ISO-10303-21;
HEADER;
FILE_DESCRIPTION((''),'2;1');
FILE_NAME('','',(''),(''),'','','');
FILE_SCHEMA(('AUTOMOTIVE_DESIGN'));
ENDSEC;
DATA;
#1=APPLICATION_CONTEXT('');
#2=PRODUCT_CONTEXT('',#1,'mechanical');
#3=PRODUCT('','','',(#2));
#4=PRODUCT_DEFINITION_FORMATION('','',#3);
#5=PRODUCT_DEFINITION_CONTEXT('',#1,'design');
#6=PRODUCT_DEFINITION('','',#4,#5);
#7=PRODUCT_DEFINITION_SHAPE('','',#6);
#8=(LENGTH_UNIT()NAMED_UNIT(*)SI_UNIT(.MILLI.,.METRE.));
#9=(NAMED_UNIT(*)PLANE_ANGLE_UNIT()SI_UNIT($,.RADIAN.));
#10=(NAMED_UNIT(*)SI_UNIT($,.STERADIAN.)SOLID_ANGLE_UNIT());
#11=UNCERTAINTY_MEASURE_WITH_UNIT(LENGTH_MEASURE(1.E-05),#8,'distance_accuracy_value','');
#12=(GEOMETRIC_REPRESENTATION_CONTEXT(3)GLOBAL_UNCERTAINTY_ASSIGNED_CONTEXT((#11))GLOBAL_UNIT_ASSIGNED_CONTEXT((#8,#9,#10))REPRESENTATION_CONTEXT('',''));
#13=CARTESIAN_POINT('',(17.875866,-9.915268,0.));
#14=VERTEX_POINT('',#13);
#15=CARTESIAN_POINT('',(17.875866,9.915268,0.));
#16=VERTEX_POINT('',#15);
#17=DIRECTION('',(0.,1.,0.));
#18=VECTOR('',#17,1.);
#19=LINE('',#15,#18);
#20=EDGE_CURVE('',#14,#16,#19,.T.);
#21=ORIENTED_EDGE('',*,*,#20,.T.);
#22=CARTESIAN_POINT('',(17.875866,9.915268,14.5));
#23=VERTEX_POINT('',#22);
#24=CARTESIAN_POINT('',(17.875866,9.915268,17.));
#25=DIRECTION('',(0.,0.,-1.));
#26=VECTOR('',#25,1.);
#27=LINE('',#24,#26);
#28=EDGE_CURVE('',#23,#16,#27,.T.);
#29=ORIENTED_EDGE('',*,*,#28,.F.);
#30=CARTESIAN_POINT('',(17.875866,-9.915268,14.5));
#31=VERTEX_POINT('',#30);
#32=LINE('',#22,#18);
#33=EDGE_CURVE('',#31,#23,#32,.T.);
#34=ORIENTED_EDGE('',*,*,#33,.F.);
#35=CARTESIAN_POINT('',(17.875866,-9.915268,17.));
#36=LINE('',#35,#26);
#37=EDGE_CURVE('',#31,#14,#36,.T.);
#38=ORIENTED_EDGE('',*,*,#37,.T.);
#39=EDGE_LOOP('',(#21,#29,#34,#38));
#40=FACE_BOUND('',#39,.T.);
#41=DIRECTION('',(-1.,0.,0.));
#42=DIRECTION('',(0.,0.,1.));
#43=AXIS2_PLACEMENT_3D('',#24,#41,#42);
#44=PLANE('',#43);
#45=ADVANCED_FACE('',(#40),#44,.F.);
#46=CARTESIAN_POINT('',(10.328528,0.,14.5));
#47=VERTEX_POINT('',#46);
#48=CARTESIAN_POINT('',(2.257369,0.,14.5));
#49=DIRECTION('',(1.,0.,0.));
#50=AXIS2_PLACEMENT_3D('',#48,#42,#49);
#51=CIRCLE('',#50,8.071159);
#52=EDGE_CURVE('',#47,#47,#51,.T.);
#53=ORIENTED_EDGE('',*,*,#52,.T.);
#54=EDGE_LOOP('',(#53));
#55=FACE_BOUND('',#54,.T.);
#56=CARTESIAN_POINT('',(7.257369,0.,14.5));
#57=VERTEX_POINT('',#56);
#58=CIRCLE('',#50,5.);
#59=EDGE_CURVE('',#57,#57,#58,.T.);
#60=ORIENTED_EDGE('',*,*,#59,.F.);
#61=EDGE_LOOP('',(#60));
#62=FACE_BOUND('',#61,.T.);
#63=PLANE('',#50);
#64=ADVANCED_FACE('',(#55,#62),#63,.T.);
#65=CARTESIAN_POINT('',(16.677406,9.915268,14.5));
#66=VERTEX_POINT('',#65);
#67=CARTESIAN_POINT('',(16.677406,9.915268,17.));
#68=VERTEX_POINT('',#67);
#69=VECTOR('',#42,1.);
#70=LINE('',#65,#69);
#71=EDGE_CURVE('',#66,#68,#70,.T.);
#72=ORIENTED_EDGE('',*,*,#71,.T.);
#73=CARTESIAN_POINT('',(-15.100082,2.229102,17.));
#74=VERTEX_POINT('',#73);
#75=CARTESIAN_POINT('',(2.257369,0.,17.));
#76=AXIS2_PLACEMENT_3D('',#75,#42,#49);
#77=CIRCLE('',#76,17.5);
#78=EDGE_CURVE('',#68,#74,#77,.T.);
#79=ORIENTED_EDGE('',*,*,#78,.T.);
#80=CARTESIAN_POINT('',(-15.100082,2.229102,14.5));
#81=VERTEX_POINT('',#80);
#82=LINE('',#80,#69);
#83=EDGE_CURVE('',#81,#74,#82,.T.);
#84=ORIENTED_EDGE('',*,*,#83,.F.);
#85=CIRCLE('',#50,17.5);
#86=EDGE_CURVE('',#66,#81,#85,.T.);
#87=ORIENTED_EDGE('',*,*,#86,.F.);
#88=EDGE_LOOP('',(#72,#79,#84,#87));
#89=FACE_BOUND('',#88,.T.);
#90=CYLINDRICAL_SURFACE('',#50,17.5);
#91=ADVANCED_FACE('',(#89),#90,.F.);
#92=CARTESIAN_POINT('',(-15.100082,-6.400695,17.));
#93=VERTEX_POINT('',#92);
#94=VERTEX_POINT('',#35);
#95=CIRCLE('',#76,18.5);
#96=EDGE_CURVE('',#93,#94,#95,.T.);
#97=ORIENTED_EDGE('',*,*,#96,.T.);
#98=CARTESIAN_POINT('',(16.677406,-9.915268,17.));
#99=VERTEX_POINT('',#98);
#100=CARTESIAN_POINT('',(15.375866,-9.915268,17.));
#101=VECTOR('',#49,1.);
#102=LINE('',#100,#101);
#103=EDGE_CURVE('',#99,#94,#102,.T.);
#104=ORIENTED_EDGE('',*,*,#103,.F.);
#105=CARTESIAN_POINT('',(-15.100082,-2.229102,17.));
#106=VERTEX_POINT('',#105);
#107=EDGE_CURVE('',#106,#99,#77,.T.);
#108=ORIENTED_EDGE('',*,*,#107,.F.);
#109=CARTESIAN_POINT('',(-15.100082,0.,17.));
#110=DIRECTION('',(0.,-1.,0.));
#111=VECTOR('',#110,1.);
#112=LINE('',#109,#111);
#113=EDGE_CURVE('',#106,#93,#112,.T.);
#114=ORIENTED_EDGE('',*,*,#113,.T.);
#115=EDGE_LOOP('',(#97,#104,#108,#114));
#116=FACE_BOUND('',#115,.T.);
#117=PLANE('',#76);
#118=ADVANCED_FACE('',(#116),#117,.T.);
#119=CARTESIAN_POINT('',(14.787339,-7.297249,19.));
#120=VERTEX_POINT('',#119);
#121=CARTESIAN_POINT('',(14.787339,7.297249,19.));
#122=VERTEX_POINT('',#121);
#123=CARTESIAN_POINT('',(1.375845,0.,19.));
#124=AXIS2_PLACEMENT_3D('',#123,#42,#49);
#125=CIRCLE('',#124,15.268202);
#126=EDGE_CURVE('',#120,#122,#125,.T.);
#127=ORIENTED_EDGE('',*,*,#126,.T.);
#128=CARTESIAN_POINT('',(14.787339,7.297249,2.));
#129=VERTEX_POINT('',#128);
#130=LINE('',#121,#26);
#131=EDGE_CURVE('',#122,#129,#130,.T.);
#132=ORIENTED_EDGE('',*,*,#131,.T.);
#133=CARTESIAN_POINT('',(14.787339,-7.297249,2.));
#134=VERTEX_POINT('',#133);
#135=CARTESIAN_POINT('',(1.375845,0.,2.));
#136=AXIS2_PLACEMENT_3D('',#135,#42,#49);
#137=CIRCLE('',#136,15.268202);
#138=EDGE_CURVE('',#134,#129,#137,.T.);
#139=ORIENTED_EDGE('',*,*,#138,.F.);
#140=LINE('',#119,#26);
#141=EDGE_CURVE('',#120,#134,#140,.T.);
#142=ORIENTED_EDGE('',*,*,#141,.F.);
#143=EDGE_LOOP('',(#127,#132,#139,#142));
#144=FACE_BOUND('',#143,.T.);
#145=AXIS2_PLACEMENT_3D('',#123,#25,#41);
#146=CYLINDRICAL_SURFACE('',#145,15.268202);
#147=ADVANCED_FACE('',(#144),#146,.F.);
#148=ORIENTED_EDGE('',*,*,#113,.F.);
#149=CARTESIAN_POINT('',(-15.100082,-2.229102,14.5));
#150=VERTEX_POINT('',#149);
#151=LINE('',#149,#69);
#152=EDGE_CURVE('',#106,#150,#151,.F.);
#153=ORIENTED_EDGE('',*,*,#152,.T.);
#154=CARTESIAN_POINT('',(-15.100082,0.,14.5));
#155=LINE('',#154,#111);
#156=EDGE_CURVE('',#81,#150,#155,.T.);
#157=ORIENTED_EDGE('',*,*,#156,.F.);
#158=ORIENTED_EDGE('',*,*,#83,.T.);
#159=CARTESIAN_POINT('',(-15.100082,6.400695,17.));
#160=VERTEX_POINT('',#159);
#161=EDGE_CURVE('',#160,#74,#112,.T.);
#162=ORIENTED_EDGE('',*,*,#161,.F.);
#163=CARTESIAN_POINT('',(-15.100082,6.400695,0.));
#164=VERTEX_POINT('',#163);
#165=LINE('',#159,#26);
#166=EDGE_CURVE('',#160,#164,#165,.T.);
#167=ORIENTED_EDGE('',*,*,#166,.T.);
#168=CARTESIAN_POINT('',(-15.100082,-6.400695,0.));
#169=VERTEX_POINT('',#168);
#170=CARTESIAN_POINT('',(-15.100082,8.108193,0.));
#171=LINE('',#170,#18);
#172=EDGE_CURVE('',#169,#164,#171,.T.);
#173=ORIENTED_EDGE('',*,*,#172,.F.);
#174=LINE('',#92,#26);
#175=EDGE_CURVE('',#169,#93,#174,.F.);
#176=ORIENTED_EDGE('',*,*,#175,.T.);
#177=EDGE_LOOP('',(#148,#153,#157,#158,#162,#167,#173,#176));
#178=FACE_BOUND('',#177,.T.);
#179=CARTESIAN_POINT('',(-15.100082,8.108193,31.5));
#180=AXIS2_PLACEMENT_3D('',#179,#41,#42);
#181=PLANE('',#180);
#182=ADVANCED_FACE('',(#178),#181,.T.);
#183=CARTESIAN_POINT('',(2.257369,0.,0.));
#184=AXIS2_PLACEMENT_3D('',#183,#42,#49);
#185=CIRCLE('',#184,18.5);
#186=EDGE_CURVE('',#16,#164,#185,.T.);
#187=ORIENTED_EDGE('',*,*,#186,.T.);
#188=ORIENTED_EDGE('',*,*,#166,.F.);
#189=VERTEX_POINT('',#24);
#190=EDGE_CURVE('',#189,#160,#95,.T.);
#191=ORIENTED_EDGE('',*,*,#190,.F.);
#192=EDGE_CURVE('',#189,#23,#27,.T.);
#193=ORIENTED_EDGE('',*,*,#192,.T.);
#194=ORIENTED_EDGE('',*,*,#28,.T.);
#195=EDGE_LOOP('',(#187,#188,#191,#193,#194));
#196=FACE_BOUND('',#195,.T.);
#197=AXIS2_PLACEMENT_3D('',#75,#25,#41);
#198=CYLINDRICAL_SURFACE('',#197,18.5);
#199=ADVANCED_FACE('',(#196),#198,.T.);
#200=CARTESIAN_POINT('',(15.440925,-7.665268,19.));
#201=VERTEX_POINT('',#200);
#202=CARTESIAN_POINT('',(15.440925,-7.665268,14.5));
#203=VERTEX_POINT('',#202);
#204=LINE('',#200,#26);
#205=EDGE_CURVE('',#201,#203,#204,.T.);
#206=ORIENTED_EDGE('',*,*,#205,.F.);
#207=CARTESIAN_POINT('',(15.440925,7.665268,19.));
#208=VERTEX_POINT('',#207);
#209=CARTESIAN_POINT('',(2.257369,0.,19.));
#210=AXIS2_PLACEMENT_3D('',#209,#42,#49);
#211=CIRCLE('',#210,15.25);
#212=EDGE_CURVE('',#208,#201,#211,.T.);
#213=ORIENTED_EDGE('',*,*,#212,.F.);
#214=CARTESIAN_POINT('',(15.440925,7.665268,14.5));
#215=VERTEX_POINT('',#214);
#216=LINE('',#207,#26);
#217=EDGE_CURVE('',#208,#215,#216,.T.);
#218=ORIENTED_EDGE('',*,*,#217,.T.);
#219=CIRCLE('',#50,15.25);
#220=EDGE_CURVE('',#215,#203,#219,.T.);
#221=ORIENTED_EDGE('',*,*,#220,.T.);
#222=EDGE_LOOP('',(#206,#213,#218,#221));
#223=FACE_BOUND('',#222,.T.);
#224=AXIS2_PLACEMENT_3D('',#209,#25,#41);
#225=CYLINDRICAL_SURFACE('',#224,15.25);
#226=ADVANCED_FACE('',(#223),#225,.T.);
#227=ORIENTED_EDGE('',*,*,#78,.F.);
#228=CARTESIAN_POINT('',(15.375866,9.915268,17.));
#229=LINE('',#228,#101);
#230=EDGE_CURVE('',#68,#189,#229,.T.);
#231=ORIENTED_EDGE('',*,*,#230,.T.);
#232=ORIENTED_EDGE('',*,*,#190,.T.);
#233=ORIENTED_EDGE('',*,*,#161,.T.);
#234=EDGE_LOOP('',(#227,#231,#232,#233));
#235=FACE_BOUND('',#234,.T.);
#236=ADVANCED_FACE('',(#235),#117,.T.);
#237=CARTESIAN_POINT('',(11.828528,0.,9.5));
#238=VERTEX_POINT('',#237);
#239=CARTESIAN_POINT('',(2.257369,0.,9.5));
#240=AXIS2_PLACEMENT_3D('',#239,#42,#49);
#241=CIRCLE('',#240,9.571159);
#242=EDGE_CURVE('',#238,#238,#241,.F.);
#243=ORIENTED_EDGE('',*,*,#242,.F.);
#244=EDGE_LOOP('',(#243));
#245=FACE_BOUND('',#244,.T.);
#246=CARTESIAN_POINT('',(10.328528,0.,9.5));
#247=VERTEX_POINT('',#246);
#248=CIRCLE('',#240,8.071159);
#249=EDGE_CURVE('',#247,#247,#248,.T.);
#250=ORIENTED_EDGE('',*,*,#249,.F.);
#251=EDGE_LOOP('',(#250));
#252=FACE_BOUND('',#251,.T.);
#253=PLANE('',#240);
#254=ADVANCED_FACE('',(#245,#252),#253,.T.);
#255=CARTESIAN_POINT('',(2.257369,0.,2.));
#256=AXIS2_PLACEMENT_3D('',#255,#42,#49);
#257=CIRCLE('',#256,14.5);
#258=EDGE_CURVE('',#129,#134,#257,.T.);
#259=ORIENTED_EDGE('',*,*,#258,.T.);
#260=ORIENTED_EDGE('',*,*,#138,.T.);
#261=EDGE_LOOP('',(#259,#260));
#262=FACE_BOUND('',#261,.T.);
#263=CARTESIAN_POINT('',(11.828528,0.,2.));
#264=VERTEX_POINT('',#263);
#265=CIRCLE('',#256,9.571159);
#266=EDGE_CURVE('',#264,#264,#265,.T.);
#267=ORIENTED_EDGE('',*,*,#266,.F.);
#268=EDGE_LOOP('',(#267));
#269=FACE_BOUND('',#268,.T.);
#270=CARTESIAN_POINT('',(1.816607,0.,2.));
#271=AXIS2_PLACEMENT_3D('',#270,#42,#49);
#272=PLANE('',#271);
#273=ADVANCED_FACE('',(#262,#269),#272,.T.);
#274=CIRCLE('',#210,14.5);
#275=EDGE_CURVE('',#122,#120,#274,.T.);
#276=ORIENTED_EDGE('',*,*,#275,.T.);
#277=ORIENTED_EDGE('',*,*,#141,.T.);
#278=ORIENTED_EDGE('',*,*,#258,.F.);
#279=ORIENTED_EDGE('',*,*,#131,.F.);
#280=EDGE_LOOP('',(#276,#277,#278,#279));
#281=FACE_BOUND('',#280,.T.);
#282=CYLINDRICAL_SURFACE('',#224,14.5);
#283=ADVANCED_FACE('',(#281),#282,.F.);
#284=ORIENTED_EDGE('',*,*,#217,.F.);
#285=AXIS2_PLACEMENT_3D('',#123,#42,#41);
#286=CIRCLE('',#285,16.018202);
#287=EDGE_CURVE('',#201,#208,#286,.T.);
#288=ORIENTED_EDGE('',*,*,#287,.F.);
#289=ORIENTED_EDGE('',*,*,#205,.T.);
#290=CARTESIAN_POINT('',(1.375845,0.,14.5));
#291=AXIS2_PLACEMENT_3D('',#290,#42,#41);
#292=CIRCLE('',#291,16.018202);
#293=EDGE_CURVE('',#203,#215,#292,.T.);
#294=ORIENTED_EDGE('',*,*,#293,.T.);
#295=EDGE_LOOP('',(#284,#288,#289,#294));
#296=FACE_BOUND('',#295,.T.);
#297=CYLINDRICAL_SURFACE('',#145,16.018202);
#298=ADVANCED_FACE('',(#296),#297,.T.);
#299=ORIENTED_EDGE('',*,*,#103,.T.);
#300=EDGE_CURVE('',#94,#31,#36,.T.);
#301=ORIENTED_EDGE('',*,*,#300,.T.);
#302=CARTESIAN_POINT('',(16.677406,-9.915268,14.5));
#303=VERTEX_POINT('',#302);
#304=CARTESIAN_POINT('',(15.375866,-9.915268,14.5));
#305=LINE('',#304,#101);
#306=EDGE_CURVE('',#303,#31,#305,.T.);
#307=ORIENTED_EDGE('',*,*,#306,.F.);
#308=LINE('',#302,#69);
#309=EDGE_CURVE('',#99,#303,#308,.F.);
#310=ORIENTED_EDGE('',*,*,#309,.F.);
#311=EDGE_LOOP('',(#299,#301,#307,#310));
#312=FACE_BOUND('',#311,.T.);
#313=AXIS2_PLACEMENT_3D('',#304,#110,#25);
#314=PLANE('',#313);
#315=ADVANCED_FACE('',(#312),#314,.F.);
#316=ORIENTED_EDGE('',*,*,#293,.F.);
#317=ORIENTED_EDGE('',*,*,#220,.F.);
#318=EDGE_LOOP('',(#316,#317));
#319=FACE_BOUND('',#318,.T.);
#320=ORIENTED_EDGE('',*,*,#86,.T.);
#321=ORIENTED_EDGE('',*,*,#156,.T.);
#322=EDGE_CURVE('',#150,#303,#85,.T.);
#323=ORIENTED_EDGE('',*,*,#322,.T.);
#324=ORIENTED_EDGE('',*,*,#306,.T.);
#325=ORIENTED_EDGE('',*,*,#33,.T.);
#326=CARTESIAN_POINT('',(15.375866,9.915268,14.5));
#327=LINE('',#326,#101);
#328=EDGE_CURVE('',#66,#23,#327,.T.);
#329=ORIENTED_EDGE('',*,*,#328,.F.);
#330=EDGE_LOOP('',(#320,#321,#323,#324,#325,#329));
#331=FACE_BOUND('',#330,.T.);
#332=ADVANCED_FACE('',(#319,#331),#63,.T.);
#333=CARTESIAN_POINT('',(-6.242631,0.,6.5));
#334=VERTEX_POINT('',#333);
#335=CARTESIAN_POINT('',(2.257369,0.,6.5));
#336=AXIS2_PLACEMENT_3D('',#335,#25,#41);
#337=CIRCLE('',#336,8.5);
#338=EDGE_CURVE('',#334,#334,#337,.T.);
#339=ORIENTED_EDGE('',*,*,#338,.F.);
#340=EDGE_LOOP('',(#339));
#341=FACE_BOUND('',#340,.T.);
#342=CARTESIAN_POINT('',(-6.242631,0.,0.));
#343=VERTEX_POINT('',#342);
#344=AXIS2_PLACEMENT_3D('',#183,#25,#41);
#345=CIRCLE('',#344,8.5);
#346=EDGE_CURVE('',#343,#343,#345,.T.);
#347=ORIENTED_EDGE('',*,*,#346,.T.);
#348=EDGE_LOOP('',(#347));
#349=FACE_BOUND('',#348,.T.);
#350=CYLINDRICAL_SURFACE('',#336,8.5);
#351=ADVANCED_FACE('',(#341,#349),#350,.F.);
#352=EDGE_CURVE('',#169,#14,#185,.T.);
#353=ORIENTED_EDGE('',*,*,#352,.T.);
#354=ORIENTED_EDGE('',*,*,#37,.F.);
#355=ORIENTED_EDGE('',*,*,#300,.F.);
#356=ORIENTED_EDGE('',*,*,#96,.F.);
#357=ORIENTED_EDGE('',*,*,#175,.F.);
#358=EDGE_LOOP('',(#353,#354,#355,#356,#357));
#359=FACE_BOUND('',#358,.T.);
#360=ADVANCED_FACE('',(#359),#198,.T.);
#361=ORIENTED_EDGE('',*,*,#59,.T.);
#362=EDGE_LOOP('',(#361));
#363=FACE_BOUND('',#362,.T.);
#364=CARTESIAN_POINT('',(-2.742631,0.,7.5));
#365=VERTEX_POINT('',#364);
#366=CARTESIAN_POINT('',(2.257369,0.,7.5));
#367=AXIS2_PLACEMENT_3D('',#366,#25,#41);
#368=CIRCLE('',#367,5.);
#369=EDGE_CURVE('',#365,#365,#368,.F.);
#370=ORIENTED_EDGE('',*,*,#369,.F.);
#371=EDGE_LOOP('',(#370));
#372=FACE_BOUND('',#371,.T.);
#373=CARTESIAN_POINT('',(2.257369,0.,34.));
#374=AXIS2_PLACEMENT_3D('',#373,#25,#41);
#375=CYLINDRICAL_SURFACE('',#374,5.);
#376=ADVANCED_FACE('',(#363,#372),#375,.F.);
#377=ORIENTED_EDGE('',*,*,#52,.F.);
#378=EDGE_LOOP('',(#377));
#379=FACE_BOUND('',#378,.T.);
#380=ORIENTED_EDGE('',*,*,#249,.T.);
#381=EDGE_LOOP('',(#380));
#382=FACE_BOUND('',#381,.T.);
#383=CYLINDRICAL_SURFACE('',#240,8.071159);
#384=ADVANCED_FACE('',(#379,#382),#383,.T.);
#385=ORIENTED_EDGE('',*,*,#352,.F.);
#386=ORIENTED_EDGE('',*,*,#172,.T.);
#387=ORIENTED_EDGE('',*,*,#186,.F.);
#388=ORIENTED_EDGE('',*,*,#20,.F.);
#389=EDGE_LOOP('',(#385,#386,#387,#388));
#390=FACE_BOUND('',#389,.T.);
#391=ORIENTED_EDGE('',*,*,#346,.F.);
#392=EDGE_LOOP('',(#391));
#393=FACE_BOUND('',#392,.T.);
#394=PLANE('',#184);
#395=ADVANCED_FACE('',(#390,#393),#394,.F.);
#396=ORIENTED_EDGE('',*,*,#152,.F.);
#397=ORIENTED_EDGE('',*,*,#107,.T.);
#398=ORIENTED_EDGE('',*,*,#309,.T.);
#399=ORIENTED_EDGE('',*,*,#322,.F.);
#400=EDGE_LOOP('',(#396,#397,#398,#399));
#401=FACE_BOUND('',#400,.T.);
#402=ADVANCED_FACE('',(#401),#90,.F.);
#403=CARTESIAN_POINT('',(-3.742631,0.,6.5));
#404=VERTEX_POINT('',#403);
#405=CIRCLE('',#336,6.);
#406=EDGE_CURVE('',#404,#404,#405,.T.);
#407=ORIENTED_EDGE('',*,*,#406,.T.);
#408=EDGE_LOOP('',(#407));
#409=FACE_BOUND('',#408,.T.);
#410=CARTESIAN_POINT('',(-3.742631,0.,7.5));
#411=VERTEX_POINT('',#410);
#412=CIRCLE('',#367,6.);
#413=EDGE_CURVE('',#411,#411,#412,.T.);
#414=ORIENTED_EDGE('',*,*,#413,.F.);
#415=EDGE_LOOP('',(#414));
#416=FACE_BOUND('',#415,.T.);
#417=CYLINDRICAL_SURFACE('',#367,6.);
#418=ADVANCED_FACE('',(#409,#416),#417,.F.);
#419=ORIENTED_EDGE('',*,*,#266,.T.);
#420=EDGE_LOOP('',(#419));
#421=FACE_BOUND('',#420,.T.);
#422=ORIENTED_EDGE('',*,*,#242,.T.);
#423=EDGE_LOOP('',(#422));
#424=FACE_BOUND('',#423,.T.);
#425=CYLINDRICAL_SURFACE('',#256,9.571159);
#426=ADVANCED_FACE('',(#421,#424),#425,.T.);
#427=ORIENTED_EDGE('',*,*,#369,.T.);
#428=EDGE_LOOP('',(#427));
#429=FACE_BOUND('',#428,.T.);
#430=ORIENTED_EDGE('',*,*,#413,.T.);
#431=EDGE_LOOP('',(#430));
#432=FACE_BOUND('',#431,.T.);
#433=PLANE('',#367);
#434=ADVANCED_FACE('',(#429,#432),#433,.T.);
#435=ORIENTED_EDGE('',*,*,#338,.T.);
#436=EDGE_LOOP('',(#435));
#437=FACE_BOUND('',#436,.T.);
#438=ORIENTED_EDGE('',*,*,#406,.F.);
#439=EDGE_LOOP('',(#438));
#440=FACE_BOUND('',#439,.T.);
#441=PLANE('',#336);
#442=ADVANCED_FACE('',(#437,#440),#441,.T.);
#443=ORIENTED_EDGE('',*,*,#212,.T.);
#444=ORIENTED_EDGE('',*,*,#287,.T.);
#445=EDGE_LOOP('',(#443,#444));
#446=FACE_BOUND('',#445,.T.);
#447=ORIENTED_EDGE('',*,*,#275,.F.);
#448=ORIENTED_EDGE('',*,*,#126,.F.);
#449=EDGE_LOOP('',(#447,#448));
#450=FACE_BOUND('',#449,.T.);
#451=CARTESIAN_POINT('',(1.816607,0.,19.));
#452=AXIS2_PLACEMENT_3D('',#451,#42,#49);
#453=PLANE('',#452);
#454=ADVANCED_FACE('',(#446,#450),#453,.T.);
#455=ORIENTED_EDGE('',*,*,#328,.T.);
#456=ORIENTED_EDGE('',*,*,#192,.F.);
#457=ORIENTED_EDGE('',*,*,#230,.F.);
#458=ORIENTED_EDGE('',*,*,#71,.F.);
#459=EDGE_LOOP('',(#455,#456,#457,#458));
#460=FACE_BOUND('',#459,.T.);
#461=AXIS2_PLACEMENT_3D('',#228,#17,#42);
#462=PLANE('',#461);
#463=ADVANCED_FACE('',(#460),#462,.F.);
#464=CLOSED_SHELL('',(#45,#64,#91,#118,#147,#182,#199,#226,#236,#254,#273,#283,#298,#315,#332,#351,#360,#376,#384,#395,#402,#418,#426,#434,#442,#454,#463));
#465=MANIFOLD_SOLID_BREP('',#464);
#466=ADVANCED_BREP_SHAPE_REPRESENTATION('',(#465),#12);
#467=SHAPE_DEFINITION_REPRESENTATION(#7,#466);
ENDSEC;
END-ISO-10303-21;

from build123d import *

# Parameters (mm, degrees)
BOSS_EXTRUDE1_DEPTH     = 17
CUT_EXTRUDE1_DEPTH      = 2.5
SKETCH5_W               = 2.5
SKETCH5_H               = 19.830535888
CUT_EXTRUDE2_DEPTH      = 2.5
EXTRUDE_THIN1_DEPTH     = 4.5
SKETCH8_R               = 8.5
CUT_EXTRUDE4_DEPTH      = 6.5
SKETCH9_R               = 5
CUT_EXTRUDE5_DEPTH      = 27.5
CUT_EXTRUDE6_DEPTH      = 0.5
CUT_EXTRUDE6_DEPTH_BACK = 1
SKETCH10_R              = 6
CUT_EXTRUDE7_START      = -12.5
SKETCH14_R              = 9.571158882
CUT_EXTRUDE7_DEPTH      = 12.5
SKETCH12_R              = 10.071158882
SKETCH12_R_2            = 8.071158882
CUT_EXTRUDE_THIN1_DEPTH = 5
SKETCH15_W              = 2.588485832
SKETCH15_H              = 17.190343429
CUT_EXTRUDE8_DEPTH      = 31.5


with BuildPart() as part:
    # Sketch1 → Boss-Extrude1 (new body)
    with BuildSketch(Plane.XY):
        with BuildLine():
            Line((17.875866164, 9.915267944), (17.875866164, -9.915267944))
            ThreePointArc((17.875866164, -9.915267944), (-16.242631254, 0), (17.875866164, 9.915267944))
        make_face()
    extrude(amount=BOSS_EXTRUDE1_DEPTH)

    # Sketch4 → Cut-Extrude1 (cut)
    with BuildSketch(Plane.XY.offset(17)):
        with BuildLine():
            Line((16.875866164, -9.620266797), (16.875866164, 9.620266797))
            ThreePointArc((16.875866164, 9.620266797), (-15.242631254, 0), (16.875866164, -9.620266797))
        make_face()
    extrude(amount=-CUT_EXTRUDE1_DEPTH, mode=Mode.SUBTRACT)

    # Sketch5 → Cut-Extrude2 (cut)
    with BuildSketch(Plane(origin=(17.875866164, 0, 0), x_dir=(0, 0, -1), z_dir=(1, 0, 0))):
        with Locations((-15.75, 0)):
            Rectangle(SKETCH5_W, SKETCH5_H)
    extrude(amount=-CUT_EXTRUDE2_DEPTH, mode=Mode.SUBTRACT)

    # Sketch6 → Extrude-Thin1 (add)
    with BuildSketch(Plane.XY.offset(14.5)):
        with BuildLine():
            ThreePointArc((15.440925449, 7.665267944), (17.39404784, 0), (15.440925449, -7.665267944))
            ThreePointArc((15.440925449, -7.665267944), (-12.992631254, 0), (15.440925449, 7.665267944))
        make_face()
        with BuildLine():
            ThreePointArc((14.787338867, 7.297249398), (16.64404784, 0), (14.787338867, -7.297249398))
            ThreePointArc((14.787338867, -7.297249398), (-12.242631254, 0), (14.787338867, 7.297249398))
        make_face(mode=Mode.SUBTRACT)
    extrude(amount=EXTRUDE_THIN1_DEPTH)

    # Sketch8 → Cut-Extrude4 (cut)
    with BuildSketch(Plane(origin=(0, 0, 0), x_dir=(-1, 0, 0), z_dir=(0, 0, -1))):
        with Locations((-2.257368746, 0)):
            Circle(SKETCH8_R)
    extrude(amount=-CUT_EXTRUDE4_DEPTH, mode=Mode.SUBTRACT)

    # Sketch9 → Cut-Extrude5 (cut)
    with BuildSketch(Plane(origin=(0, 0, 6.5), x_dir=(-1, 0, 0), z_dir=(0, 0, -1))):
        with Locations((-2.257368746, 0)):
            Circle(SKETCH9_R)
    extrude(amount=-CUT_EXTRUDE5_DEPTH, mode=Mode.SUBTRACT)

    # Sketch10 → Cut-Extrude6 (cut, two sides: drawn at the far end of the back side and taken through both)
    with BuildSketch(Plane(origin=(0, 0, 6.5), x_dir=(-1, 0, 0), z_dir=(0, 0, -1)).offset(-CUT_EXTRUDE6_DEPTH_BACK)):
        with Locations((-2.257368746, 0)):
            Circle(SKETCH10_R)
    extrude(amount=CUT_EXTRUDE6_DEPTH + CUT_EXTRUDE6_DEPTH_BACK, mode=Mode.SUBTRACT)

    # Sketch14 → Cut-Extrude7 (cut)
    with BuildSketch(Plane.XY.offset(14.5).offset(CUT_EXTRUDE7_START)):
        with BuildLine():
            ThreePointArc((14.787338867, 7.297249398), (-12.242631254, 0), (14.787338867, -7.297249398))
            ThreePointArc((14.787338867, -7.297249398), (16.64404784, 0), (14.787338867, 7.297249398))
        make_face()
        with Locations((2.257368746, 0)):
            Circle(SKETCH14_R, mode=Mode.SUBTRACT)
    extrude(amount=CUT_EXTRUDE7_DEPTH, mode=Mode.SUBTRACT)

    # Sketch12 → Cut-Extrude-Thin1 (cut)
    with BuildSketch(Plane.XY.offset(14.5)):
        with Locations((2.257368746, 0)):
            Circle(SKETCH12_R)
        with Locations((2.257368746, 0)):
            Circle(SKETCH12_R_2, mode=Mode.SUBTRACT)
    extrude(amount=-CUT_EXTRUDE_THIN1_DEPTH, mode=Mode.SUBTRACT)

    # Sketch15 → Cut-Extrude8 (cut)
    with BuildSketch(Plane.XY):
        with Locations((-16.39432519, -0.486978568)):
            Rectangle(SKETCH15_W, SKETCH15_H)
    extrude(amount=CUT_EXTRUDE8_DEPTH, mode=Mode.SUBTRACT)


solid = part.part
